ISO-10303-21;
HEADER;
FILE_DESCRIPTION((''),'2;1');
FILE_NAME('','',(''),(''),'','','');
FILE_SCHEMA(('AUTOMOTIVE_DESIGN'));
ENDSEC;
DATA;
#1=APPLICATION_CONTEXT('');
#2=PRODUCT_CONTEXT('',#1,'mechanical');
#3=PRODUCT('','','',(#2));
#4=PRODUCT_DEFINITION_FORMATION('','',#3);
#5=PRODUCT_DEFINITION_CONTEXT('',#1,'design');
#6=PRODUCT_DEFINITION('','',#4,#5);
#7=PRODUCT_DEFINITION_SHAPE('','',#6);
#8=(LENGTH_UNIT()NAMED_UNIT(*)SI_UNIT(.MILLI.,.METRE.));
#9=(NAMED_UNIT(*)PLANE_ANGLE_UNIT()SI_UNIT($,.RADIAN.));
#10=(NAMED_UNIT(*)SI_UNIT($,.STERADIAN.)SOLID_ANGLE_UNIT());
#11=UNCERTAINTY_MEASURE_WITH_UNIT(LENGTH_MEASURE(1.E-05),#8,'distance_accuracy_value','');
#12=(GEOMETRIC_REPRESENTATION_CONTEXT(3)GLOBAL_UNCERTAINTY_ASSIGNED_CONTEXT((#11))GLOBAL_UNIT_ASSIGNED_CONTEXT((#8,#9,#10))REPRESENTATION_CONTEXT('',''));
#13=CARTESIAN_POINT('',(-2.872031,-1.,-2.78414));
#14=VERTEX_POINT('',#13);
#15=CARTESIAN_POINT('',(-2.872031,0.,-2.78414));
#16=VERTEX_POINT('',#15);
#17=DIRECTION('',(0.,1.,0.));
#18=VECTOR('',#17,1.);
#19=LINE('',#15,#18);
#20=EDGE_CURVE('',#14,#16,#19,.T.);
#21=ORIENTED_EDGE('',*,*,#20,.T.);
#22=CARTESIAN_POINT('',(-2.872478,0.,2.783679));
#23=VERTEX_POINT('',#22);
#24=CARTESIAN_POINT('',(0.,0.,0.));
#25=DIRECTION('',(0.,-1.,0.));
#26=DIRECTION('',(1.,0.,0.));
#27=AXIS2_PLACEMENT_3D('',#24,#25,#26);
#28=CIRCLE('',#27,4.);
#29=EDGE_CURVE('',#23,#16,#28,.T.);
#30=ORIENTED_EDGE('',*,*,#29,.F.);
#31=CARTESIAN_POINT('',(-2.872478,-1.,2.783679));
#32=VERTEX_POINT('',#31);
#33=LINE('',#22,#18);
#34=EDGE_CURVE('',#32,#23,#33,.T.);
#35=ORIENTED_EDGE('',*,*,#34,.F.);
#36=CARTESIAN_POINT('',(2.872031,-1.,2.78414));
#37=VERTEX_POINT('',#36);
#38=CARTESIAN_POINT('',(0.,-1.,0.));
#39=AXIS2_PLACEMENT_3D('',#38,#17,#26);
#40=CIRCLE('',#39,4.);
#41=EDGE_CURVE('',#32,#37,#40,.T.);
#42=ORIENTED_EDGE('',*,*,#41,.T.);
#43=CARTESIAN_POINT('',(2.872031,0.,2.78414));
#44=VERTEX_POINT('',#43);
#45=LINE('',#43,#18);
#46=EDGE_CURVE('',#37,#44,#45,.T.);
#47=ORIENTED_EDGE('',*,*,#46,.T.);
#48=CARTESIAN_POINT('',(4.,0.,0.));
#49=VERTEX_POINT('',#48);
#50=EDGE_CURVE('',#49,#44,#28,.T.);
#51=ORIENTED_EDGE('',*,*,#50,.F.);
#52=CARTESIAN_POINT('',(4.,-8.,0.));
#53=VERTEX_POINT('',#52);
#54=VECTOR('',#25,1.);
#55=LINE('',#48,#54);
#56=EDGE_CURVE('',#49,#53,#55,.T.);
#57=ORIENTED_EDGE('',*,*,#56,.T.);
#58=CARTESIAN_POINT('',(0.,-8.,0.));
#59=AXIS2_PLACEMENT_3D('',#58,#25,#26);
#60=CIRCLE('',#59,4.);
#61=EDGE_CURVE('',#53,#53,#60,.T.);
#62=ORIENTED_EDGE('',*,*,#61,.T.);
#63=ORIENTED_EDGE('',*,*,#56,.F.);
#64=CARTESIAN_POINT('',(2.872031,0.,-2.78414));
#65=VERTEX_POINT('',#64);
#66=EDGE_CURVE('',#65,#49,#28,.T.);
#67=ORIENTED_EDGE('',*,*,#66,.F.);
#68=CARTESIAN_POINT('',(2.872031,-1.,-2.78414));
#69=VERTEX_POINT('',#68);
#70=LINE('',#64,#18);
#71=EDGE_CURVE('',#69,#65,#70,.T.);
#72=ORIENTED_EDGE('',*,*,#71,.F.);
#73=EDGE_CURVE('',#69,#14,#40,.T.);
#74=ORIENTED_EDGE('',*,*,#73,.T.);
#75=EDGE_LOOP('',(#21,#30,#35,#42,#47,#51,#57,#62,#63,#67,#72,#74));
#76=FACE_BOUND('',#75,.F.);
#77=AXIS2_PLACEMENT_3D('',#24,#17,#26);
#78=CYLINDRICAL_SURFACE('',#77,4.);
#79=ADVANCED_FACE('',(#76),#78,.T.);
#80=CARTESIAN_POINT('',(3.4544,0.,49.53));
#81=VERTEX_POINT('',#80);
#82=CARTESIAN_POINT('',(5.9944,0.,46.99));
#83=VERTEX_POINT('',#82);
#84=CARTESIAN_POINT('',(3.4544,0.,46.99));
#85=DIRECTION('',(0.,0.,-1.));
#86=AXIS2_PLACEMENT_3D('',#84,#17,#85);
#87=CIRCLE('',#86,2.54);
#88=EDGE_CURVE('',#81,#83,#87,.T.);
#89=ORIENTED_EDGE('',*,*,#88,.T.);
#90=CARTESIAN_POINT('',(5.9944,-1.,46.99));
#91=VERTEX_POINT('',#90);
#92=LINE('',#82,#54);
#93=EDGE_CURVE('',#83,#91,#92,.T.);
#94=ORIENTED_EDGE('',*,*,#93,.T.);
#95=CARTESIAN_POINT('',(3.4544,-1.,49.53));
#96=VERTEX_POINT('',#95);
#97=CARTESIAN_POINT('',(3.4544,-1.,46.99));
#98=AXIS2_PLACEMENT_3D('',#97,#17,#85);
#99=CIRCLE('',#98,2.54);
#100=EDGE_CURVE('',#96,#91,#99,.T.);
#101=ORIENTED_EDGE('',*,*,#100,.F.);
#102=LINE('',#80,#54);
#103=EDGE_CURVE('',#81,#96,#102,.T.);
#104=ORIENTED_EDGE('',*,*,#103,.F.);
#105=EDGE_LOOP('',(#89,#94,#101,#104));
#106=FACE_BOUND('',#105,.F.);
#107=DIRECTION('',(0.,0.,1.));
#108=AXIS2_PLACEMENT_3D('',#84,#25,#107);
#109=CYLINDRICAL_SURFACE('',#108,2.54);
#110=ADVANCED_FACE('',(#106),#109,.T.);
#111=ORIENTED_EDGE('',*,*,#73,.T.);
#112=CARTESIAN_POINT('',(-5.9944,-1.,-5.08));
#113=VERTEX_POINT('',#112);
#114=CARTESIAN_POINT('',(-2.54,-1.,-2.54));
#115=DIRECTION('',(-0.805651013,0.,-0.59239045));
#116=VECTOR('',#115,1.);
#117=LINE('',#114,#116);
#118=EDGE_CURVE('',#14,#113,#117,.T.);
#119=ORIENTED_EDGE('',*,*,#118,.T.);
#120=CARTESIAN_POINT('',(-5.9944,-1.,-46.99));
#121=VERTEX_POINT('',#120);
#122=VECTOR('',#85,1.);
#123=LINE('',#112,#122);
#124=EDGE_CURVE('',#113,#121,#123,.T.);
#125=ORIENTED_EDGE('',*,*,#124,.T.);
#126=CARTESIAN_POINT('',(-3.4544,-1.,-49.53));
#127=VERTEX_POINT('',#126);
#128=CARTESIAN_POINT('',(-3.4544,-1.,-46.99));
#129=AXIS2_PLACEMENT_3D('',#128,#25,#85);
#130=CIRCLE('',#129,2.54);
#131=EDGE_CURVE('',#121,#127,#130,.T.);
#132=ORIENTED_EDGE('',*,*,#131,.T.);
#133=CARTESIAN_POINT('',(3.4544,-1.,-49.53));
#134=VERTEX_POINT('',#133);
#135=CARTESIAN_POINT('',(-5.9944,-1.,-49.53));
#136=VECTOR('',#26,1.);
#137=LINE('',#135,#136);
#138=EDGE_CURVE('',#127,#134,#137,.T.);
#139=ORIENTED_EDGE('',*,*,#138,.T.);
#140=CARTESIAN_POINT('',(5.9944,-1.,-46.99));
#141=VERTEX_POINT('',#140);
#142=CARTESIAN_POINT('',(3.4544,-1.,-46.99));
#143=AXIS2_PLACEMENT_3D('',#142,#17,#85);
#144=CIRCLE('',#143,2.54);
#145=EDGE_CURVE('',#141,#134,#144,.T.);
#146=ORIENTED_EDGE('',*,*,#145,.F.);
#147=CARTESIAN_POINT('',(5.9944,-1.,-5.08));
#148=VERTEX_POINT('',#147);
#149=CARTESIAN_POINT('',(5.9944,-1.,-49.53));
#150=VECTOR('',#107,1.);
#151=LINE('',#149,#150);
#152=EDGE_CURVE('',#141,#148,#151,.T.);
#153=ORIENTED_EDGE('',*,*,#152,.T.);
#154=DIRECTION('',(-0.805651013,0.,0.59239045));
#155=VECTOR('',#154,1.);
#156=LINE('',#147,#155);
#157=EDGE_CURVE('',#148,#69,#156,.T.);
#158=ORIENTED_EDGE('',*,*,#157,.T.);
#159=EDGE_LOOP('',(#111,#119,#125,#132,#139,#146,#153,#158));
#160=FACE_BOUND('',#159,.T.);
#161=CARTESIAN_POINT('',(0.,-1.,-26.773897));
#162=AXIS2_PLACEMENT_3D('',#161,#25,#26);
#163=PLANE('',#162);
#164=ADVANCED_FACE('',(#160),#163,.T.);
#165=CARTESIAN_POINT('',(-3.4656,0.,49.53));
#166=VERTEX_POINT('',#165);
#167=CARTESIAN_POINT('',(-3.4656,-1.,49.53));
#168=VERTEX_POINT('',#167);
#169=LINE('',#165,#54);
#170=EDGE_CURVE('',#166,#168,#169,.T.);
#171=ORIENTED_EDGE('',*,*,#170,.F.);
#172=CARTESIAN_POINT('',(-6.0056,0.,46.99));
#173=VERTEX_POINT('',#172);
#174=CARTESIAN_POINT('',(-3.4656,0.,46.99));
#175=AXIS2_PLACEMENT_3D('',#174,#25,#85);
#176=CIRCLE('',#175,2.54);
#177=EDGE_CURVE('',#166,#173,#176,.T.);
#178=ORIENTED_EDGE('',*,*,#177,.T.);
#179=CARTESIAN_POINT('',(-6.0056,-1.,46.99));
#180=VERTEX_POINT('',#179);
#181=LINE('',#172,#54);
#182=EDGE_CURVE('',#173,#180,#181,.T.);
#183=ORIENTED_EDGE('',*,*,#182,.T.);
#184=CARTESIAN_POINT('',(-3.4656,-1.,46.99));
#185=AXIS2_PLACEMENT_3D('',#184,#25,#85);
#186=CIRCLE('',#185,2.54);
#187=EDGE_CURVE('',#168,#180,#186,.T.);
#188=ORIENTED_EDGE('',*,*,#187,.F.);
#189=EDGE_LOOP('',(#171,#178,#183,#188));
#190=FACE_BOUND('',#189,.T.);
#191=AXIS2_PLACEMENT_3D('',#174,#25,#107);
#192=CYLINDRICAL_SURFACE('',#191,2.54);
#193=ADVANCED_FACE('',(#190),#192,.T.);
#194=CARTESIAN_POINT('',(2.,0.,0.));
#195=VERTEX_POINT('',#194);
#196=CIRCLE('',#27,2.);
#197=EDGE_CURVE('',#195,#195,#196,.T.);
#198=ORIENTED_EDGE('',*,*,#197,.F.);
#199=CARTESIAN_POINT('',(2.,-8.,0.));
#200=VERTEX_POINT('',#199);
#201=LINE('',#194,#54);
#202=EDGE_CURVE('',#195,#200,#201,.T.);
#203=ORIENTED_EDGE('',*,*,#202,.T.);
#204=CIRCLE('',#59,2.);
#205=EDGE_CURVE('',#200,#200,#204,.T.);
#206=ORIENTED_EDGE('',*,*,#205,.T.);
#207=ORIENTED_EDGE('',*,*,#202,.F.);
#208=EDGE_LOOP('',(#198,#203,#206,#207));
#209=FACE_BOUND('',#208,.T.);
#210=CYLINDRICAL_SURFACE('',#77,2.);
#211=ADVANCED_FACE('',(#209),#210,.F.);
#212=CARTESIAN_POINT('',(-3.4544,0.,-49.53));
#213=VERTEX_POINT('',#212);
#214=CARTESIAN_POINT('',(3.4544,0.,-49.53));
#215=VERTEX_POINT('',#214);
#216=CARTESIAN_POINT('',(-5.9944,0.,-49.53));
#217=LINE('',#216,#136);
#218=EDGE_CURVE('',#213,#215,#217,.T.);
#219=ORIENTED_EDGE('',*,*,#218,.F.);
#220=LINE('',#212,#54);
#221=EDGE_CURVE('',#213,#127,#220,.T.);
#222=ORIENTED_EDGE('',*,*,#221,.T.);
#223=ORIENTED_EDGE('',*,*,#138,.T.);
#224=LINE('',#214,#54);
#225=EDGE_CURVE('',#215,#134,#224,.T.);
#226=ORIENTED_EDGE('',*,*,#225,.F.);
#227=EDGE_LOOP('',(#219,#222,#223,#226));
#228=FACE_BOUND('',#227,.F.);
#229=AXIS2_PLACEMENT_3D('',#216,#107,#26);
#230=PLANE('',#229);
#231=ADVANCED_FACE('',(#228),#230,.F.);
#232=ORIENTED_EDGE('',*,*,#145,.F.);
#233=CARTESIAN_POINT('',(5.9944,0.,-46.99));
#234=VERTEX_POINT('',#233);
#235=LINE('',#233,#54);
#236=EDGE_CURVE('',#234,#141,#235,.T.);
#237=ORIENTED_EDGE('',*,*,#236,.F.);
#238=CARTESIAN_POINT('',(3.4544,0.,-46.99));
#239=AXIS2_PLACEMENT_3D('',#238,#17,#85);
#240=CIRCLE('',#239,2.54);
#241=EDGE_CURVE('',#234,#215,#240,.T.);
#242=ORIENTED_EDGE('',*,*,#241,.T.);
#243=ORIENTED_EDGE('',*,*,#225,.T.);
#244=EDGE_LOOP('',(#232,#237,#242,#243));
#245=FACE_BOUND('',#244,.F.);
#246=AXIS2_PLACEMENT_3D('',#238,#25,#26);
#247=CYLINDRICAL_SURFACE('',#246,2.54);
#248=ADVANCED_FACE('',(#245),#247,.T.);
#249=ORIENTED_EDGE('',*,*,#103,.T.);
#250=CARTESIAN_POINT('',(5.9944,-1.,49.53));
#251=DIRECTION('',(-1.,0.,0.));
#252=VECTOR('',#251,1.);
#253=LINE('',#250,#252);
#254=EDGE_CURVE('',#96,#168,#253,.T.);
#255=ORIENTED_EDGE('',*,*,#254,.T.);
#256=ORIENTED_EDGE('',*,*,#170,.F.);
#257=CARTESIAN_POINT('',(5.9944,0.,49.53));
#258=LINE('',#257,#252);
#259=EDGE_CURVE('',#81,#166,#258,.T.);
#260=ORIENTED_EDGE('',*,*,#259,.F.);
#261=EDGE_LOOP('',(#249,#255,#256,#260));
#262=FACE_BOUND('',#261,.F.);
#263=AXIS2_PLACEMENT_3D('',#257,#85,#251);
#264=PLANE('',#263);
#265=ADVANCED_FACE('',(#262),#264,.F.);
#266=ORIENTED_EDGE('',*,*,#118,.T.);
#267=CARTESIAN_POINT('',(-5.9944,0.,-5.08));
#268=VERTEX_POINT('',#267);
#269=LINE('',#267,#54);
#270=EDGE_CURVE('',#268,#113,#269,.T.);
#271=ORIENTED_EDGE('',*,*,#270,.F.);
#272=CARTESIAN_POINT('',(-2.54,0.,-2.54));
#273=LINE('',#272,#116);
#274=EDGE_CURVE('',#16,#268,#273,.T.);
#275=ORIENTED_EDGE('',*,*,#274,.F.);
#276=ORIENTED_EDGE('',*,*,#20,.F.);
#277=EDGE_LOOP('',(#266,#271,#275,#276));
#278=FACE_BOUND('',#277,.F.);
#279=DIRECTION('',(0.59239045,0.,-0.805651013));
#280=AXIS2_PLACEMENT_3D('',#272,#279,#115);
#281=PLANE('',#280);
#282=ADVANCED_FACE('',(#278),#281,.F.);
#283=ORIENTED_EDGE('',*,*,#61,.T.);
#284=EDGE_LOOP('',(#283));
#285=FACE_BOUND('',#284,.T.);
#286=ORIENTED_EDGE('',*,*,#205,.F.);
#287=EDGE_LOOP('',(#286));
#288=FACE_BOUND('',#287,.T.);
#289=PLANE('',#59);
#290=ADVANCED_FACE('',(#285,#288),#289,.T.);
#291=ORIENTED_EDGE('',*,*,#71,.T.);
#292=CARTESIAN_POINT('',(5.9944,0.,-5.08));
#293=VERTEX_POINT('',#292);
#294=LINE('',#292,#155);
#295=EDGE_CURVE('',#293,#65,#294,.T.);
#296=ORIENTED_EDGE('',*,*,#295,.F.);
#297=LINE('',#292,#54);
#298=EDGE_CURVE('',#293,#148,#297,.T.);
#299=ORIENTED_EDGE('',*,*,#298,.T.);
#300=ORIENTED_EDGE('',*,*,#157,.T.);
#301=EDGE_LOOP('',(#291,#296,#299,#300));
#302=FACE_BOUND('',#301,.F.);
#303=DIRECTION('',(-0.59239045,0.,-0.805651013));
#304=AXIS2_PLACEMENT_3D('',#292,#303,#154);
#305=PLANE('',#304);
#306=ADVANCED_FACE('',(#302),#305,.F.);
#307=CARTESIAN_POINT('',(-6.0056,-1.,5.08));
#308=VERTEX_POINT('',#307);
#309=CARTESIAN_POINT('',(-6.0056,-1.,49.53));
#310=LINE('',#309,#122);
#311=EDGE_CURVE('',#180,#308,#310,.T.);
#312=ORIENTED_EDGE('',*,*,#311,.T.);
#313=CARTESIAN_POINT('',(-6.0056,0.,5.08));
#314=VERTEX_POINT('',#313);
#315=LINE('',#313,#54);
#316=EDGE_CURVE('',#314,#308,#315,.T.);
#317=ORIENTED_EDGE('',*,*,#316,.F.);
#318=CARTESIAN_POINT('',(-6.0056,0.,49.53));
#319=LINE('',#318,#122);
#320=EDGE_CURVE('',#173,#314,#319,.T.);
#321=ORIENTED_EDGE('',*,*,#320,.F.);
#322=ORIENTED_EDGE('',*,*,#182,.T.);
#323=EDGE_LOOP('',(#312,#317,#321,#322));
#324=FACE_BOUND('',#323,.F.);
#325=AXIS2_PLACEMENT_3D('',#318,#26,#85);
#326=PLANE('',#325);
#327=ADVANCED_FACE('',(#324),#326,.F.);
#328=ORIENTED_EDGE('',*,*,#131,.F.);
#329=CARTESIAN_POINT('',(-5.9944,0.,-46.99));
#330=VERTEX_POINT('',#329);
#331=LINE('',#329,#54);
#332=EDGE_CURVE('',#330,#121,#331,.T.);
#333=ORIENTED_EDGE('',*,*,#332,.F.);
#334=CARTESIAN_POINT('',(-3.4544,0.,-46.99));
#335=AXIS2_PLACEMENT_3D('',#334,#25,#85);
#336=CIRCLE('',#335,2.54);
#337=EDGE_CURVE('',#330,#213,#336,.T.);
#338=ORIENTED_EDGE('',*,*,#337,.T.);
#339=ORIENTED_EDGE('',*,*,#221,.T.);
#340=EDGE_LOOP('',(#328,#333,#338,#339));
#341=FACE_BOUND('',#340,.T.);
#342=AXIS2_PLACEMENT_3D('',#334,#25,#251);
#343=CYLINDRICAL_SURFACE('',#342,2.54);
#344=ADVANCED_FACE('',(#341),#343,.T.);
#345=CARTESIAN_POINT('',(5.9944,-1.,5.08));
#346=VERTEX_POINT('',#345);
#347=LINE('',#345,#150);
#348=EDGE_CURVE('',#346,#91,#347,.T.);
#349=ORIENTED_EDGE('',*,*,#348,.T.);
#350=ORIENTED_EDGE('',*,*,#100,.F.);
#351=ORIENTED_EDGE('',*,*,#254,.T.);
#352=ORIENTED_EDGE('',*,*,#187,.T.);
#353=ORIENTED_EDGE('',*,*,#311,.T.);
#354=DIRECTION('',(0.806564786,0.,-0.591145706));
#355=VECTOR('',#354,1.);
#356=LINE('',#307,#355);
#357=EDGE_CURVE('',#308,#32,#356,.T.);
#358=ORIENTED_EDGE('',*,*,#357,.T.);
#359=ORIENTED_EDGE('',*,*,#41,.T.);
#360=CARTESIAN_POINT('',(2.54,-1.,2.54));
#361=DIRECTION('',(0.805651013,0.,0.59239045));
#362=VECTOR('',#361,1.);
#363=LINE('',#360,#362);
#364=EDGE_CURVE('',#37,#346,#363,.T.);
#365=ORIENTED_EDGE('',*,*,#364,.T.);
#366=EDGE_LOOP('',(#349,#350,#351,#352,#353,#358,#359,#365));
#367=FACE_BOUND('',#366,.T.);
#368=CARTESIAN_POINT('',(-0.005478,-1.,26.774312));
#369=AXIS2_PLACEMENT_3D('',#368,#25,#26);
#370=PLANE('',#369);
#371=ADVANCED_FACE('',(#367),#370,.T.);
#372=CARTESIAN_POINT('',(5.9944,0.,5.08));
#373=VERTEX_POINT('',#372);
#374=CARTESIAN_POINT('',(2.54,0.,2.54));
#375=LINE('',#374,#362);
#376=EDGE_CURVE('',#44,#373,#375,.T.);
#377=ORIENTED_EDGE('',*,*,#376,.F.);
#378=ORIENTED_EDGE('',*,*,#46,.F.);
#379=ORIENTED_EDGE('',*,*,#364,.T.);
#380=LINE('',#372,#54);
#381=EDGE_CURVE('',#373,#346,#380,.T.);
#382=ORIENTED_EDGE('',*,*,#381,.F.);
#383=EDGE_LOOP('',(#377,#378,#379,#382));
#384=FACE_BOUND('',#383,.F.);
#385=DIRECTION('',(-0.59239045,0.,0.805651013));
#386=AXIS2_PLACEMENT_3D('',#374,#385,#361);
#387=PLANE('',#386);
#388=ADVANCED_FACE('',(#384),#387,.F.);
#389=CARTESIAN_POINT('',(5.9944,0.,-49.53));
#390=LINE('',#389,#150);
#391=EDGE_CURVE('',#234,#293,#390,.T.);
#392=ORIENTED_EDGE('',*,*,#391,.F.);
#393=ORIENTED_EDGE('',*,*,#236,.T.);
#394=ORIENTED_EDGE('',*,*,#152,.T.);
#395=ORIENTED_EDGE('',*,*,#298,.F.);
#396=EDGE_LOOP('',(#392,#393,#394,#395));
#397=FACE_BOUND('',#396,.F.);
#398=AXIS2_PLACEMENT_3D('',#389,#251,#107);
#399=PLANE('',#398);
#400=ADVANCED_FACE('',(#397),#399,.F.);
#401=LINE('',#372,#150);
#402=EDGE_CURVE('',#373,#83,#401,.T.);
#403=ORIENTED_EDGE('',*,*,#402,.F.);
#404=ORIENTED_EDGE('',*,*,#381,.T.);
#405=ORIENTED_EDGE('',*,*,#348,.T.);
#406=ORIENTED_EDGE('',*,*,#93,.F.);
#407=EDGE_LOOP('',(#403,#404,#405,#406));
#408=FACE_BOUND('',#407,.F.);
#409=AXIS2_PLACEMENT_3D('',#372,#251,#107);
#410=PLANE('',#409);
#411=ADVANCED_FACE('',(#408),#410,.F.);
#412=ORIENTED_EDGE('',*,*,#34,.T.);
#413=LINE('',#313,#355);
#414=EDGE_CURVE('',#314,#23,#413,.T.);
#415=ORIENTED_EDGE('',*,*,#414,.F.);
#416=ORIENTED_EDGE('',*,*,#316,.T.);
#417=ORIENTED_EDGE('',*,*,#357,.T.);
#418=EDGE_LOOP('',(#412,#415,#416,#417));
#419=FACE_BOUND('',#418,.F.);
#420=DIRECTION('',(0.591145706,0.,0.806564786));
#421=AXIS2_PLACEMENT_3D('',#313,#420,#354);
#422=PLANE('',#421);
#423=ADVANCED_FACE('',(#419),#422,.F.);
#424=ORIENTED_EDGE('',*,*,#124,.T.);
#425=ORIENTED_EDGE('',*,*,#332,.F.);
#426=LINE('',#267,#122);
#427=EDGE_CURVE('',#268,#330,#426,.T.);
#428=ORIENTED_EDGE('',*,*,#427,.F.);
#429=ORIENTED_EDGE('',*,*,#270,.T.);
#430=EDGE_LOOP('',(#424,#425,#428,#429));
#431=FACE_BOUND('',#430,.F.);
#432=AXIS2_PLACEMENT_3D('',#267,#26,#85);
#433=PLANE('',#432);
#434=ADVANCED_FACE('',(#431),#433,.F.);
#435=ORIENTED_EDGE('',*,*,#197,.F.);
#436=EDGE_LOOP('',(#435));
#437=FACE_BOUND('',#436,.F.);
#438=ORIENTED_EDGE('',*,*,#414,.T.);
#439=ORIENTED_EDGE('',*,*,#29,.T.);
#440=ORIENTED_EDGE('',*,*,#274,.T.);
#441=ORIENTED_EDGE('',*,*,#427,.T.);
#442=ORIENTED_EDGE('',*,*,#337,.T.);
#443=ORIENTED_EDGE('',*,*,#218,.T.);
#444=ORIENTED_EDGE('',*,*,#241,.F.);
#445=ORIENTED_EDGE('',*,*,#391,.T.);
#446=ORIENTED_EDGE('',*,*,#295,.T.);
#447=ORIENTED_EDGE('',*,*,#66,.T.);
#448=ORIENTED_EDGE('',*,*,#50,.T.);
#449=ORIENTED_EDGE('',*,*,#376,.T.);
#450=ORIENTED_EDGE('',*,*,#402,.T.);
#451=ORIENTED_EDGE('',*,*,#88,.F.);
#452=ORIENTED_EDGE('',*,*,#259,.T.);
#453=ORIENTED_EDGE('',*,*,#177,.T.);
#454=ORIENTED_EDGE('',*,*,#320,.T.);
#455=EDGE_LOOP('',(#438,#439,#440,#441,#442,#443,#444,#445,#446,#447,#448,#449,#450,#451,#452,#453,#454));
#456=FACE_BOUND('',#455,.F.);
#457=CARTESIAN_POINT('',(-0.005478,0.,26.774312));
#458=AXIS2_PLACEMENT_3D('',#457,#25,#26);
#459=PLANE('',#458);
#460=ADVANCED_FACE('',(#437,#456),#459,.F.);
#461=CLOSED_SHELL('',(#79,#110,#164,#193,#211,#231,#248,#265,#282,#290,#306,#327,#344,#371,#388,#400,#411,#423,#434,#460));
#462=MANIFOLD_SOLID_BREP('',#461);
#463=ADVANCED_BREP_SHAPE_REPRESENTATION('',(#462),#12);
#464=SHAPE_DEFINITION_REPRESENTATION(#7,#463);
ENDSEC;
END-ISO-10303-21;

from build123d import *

# Parameters (mm, degrees)
F0_R     = 4
F0_R_2   = 2
F1_DEPTH = 8
F3_DEPTH = 1
F4_R     = 2.54


with BuildPart() as f1:
    # F0 (on Front) → F1 (new body)
    with BuildSketch(Plane.XZ):
        Circle(F0_R)
        Circle(F0_R_2, mode=Mode.SUBTRACT)
    extrude(amount=F1_DEPTH)

    # F2 (on Front) → F3 (join)
    with BuildSketch(Plane.XZ):
        Polygon((5.9944, 49.53), (-6.0056, 49.53), (-6.0056, 5.08), (-2.54, 2.54), (2.54, 2.54), (5.9944, 5.08), align=None)
        Polygon((-5.9944, -5.08), (-5.9944, -49.53), (5.9944, -49.53), (5.9944, -5.08), (2.54, -2.54), (-2.54, -2.54), align=None)
    extrude(amount=F3_DEPTH)

    # F4
    f4_edges = [f1.edges().sort_by_distance(p)[0] for p in [
        (-6.0056, -0.5, 49.53),
        (5.9944, -0.5, 49.53),
        (5.9944, -0.5, -49.53),
        (-5.9944, -0.5, -49.53),
    ]]
    fillet(f4_edges, radius=F4_R)


solid = f1.part
